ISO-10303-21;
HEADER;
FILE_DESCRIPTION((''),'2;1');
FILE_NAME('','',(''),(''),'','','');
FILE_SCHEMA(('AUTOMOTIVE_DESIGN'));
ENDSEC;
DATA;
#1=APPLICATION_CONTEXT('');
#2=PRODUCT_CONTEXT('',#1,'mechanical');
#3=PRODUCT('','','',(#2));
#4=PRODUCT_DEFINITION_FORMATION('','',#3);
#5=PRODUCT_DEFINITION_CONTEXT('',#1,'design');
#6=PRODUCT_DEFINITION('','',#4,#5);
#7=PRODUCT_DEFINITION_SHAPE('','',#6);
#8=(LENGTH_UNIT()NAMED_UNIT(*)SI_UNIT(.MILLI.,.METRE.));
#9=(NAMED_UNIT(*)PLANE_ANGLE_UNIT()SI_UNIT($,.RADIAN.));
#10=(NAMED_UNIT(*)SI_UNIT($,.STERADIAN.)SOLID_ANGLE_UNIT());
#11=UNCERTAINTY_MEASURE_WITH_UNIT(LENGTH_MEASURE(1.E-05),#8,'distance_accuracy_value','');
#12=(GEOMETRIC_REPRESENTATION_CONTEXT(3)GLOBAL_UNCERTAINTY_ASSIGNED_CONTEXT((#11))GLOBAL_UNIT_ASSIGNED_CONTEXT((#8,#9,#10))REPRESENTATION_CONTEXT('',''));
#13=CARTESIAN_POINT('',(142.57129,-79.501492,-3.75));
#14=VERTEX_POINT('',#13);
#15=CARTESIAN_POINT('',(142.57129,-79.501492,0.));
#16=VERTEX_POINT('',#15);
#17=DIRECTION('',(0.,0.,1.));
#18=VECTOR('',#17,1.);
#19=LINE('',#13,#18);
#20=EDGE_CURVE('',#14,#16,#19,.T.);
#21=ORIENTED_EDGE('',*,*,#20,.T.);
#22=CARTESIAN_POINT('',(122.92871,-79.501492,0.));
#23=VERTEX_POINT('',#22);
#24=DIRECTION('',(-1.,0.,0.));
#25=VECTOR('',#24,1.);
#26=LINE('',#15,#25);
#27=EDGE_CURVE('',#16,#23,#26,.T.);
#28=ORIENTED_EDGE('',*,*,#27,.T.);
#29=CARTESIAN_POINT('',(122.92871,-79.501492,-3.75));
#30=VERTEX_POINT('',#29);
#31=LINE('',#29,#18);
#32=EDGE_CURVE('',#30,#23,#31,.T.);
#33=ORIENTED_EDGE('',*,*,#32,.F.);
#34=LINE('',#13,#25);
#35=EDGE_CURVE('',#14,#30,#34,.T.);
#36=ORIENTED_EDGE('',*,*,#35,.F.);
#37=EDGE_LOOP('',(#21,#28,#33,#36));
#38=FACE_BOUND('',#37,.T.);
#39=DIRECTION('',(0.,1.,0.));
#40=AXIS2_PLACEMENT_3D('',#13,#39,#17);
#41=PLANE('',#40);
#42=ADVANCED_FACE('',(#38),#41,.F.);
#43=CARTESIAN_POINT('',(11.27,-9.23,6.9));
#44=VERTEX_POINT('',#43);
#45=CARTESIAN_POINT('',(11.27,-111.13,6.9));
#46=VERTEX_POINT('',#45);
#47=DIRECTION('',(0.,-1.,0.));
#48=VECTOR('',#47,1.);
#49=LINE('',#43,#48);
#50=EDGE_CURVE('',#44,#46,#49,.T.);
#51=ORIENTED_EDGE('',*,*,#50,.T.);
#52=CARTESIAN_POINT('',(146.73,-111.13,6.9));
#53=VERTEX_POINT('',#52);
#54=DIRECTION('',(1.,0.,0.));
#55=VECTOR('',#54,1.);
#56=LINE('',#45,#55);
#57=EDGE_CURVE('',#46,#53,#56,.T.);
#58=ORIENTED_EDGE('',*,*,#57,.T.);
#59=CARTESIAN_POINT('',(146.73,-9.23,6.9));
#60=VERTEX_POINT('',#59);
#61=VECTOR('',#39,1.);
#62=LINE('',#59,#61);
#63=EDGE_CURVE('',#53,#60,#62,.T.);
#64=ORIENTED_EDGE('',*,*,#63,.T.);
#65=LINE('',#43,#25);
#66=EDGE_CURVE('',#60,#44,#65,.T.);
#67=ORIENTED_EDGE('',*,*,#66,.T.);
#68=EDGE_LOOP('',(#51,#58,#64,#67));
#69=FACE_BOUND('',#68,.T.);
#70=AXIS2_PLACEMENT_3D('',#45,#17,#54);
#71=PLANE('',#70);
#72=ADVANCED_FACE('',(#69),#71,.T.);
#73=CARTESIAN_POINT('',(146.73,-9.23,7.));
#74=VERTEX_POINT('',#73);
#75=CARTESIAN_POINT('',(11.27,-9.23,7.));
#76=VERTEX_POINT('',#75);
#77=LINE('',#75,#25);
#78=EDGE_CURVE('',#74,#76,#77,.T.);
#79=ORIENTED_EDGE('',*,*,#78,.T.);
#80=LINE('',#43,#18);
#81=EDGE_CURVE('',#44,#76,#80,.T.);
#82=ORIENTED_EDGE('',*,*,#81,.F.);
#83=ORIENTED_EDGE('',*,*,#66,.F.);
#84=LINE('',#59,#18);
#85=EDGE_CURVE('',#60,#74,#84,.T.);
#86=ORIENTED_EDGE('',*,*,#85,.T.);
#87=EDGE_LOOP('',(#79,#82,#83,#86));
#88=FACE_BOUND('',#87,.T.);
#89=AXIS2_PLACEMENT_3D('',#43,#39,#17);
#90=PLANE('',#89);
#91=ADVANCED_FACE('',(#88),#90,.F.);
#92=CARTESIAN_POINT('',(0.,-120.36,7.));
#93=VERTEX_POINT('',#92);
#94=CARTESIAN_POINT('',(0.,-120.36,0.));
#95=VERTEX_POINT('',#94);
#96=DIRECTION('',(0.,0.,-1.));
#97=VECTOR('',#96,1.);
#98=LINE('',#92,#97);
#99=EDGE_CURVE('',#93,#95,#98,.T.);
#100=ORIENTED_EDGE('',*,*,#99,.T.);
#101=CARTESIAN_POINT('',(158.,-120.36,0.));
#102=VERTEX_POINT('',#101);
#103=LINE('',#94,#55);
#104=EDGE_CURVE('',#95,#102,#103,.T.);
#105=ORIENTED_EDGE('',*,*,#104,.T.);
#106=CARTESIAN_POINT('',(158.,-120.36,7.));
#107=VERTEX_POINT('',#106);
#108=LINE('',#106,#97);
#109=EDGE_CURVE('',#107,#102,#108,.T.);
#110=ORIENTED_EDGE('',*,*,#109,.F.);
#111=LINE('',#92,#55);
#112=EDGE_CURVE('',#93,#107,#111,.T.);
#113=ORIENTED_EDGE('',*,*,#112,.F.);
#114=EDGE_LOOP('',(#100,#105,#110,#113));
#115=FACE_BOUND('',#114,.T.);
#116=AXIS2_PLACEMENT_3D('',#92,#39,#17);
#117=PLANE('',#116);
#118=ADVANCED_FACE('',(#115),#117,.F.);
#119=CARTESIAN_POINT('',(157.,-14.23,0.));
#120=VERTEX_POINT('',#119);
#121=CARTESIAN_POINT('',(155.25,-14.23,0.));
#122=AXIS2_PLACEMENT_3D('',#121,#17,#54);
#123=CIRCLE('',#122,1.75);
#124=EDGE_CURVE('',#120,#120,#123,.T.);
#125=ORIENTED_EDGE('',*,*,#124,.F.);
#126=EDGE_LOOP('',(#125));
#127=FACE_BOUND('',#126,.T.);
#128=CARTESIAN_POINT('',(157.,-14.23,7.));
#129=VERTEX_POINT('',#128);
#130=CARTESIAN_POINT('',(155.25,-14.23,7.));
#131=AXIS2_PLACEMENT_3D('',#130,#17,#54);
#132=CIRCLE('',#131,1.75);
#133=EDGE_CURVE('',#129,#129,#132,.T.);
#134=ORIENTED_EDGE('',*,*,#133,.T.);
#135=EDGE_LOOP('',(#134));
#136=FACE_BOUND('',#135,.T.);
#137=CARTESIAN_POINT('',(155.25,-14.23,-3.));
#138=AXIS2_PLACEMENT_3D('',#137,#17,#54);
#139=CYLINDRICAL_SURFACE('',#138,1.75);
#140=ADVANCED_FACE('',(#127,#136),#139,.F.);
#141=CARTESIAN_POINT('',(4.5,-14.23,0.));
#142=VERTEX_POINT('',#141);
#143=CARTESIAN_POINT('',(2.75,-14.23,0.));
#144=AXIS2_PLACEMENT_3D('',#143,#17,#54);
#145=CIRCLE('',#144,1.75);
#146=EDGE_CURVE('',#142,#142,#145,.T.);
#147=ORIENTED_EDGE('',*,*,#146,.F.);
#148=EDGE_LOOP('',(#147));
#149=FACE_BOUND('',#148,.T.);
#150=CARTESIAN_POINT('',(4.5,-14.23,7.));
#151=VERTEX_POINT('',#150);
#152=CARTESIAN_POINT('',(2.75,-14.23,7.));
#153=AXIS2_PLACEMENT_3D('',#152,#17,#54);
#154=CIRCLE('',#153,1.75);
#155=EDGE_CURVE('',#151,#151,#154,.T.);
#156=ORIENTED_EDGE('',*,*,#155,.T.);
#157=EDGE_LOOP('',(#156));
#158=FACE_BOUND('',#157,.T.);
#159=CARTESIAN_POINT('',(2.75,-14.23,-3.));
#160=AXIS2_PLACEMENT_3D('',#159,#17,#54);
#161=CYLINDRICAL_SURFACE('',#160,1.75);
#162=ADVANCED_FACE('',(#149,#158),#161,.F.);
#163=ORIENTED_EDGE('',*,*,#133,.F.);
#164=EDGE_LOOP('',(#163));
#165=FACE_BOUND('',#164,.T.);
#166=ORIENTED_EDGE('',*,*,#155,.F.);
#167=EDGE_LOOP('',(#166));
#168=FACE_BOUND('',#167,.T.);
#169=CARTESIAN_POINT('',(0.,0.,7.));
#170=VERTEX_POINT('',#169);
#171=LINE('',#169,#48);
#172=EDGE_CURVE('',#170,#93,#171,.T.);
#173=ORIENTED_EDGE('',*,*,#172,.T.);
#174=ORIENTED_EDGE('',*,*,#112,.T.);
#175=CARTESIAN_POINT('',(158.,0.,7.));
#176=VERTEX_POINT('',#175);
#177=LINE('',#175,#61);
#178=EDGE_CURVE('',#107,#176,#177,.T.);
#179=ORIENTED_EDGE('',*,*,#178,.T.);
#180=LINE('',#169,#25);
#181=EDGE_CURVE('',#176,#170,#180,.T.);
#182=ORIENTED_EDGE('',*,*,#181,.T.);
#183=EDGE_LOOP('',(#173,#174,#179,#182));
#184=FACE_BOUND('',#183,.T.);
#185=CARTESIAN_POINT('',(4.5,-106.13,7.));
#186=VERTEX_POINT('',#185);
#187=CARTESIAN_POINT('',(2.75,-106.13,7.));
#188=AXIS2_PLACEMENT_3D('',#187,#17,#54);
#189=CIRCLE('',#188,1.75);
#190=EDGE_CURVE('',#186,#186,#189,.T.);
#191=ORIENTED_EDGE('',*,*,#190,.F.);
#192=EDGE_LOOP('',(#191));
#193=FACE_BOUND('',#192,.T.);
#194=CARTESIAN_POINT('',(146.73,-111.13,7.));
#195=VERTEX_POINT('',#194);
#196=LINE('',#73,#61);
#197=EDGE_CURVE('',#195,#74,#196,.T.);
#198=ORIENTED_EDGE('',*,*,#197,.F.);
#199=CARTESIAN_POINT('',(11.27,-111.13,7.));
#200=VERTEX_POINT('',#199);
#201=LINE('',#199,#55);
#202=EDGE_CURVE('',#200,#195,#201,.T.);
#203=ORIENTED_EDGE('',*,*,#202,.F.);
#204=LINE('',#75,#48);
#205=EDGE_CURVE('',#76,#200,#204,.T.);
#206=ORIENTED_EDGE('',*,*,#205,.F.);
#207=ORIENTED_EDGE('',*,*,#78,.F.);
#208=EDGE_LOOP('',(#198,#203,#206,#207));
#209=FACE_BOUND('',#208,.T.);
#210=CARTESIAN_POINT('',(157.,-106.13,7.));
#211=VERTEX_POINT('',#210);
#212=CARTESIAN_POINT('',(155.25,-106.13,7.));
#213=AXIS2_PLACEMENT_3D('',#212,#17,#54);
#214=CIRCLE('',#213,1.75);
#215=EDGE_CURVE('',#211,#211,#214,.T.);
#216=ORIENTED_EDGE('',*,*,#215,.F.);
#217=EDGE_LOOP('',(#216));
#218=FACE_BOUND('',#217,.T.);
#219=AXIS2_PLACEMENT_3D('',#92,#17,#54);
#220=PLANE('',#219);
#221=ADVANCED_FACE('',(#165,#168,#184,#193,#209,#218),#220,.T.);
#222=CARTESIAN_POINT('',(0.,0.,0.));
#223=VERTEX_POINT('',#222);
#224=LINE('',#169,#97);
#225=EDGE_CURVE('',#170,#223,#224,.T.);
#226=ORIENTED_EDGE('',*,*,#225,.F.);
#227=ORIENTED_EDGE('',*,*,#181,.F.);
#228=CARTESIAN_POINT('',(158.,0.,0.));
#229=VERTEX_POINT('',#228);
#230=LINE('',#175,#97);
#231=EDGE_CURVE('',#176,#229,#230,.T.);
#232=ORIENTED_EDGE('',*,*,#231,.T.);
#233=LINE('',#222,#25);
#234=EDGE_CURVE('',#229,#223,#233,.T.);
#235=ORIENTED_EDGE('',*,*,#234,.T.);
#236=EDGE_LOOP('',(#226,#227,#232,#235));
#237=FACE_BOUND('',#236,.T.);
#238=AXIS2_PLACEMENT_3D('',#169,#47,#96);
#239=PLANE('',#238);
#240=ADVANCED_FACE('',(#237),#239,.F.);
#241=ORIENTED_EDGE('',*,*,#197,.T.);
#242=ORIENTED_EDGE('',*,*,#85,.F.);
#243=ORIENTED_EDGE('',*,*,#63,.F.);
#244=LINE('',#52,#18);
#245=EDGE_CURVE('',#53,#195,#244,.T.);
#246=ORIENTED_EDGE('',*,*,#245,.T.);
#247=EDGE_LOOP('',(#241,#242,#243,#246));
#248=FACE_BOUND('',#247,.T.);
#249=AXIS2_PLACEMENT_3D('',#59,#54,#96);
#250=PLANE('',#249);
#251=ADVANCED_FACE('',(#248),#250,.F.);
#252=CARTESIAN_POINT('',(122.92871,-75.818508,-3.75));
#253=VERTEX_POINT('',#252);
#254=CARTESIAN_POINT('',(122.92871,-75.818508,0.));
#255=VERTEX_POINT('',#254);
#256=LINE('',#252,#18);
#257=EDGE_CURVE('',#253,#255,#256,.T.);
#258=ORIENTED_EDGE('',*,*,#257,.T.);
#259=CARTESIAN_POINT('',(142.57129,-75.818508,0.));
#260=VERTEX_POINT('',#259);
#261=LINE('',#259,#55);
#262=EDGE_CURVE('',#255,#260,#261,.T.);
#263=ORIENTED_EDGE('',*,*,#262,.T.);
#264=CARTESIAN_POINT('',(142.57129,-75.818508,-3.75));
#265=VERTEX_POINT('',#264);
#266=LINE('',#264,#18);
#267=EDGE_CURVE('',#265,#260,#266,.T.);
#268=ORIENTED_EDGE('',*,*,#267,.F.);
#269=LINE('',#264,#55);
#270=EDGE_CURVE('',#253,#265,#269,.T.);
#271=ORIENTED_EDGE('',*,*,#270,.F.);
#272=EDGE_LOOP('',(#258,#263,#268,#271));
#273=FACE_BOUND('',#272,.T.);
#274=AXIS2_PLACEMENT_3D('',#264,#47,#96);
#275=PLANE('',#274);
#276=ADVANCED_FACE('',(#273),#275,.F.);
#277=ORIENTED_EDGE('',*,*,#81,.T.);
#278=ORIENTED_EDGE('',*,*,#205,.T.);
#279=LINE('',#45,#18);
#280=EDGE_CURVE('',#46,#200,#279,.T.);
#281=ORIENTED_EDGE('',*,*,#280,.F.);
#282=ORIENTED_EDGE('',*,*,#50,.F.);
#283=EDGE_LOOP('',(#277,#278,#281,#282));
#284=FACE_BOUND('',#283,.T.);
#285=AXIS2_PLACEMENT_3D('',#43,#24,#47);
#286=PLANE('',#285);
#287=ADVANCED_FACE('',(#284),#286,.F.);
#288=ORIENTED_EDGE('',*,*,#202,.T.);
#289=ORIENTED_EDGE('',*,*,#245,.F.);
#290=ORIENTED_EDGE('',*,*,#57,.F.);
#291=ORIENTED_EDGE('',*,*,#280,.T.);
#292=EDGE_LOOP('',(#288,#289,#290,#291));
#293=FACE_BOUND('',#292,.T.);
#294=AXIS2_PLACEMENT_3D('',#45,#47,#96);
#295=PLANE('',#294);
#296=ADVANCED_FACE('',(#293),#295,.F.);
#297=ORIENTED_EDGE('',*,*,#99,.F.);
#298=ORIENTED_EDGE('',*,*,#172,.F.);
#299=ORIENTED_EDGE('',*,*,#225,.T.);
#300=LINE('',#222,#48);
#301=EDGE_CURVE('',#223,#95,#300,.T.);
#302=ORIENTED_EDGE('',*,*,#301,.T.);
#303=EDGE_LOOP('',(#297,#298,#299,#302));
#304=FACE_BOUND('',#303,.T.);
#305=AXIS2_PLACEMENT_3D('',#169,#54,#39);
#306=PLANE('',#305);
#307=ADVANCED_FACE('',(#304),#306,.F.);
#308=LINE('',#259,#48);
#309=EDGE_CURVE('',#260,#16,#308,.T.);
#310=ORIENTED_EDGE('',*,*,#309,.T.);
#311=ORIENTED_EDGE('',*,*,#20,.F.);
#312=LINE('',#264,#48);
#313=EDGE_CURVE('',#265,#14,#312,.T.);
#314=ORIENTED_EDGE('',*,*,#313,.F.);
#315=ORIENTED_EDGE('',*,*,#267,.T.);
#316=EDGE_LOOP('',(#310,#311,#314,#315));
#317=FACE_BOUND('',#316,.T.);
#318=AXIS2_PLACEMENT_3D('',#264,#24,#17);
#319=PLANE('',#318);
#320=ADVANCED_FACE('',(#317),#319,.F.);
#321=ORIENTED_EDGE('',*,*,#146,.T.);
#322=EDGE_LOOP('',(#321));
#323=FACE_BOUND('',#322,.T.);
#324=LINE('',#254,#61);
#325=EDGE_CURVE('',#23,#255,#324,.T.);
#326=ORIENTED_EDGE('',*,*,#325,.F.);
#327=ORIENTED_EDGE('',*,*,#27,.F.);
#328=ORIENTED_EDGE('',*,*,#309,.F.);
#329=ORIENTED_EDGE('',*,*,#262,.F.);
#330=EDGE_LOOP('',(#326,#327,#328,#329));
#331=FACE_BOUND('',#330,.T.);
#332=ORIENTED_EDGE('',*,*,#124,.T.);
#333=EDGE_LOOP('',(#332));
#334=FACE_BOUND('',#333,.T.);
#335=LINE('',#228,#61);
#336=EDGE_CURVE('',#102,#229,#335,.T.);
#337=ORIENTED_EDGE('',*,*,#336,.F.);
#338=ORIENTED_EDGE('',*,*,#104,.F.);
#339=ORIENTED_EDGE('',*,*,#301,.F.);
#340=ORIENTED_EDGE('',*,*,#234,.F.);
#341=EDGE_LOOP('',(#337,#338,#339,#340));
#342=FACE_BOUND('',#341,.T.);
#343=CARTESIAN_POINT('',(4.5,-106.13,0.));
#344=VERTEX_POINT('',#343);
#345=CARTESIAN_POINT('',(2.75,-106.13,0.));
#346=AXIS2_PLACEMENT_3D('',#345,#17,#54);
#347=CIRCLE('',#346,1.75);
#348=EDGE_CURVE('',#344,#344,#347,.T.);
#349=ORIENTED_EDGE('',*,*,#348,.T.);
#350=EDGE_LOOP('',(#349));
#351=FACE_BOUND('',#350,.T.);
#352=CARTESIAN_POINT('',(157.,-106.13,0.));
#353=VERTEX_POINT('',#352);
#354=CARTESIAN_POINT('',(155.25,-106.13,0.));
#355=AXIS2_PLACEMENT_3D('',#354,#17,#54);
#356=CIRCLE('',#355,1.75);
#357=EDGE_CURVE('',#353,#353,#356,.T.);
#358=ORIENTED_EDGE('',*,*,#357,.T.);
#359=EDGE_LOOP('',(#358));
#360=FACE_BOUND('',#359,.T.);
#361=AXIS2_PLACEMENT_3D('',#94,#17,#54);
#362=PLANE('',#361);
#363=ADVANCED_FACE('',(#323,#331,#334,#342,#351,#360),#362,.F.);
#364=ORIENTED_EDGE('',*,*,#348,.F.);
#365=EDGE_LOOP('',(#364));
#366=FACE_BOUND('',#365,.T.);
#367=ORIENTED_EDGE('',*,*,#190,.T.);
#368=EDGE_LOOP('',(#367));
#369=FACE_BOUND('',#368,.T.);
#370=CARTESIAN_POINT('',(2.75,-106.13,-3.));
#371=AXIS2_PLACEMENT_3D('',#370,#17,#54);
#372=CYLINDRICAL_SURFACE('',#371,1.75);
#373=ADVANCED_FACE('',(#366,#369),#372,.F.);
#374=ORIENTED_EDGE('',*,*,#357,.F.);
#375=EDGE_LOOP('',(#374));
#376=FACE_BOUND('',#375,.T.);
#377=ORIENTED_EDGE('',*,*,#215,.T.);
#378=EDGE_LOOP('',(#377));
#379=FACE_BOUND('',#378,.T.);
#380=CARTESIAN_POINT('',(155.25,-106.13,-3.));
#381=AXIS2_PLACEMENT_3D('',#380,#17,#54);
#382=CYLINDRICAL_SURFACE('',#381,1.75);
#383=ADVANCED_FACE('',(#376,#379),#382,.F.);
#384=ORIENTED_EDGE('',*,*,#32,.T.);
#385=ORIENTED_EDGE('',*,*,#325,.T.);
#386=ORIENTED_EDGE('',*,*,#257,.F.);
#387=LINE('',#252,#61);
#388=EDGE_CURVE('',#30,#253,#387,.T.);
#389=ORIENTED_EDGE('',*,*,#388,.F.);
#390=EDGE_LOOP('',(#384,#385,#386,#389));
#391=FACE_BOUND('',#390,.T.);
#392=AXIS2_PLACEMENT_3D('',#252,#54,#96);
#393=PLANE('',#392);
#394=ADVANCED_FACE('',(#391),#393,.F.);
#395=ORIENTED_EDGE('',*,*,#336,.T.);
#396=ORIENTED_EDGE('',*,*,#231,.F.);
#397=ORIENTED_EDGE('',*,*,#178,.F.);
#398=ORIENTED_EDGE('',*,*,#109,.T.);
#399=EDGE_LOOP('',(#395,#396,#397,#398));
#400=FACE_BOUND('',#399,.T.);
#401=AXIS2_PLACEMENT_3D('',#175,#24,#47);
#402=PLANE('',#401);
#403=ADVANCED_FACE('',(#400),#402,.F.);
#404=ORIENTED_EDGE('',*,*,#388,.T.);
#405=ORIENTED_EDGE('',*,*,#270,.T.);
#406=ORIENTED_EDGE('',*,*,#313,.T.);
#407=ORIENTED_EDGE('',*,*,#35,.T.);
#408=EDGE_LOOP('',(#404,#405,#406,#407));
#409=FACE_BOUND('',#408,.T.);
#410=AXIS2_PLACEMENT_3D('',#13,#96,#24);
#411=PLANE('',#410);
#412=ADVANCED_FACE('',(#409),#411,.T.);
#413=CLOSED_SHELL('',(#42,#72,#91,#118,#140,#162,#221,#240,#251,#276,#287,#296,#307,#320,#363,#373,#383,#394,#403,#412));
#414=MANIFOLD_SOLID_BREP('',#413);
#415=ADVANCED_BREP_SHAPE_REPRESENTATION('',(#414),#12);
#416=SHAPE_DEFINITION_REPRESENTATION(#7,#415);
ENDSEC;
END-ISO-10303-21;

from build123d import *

# Parameters (mm, degrees)
SKETCH1_W                  = 158
SKETCH1_H                  = 120.36
EXTRUDE1_DEPTH             = 7
SKETCH2_W                  = 135.46
SKETCH2_H                  = 101.9
BEZEL_OPENING_DEPTH        = 0.1
SKETCH3_R                  = 1.75
MOUNT_HOLE_CUT_DEPTH       = 10
SKETCH4_W                  = 19.642579642
SKETCH4_H                  = 3.682983682
HIROSE_DF9_CONNECTOR_DEPTH = 3.75


with BuildPart() as part:
    # Sketch1 → Extrude1 (new body)
    with BuildSketch(Plane.XY):
        with Locations((79, -60.18)):
            Rectangle(SKETCH1_W, SKETCH1_H)
    extrude(amount=EXTRUDE1_DEPTH)

    # Sketch2 → Bezel Opening (cut)
    with BuildSketch(Plane.XY.offset(7)):
        with Locations((79, -60.18)):
            Rectangle(SKETCH2_W, SKETCH2_H)
    extrude(amount=-BEZEL_OPENING_DEPTH, mode=Mode.SUBTRACT)

    # Sketch3 → Mount hole cut (cut)
    with BuildSketch(Plane.XY.offset(7)):
        with Locations((155.25, -14.23)):
            Circle(SKETCH3_R)
        with Locations((155.25, -106.13)):
            Circle(SKETCH3_R)
        with Locations((2.75, -14.23)):
            Circle(SKETCH3_R)
        with Locations((2.75, -106.13)):
            Circle(SKETCH3_R)
    extrude(amount=-MOUNT_HOLE_CUT_DEPTH, mode=Mode.SUBTRACT)

    # Sketch4 → Hirose DF9 connector (add)
    with BuildSketch(Plane(origin=(0, 0, 0), x_dir=(-1, 0, 0), z_dir=(0, 0, -1))):
        with Locations((-132.75, -77.66)):
            Rectangle(SKETCH4_W, SKETCH4_H)
    extrude(amount=HIROSE_DF9_CONNECTOR_DEPTH)


solid = part.part
